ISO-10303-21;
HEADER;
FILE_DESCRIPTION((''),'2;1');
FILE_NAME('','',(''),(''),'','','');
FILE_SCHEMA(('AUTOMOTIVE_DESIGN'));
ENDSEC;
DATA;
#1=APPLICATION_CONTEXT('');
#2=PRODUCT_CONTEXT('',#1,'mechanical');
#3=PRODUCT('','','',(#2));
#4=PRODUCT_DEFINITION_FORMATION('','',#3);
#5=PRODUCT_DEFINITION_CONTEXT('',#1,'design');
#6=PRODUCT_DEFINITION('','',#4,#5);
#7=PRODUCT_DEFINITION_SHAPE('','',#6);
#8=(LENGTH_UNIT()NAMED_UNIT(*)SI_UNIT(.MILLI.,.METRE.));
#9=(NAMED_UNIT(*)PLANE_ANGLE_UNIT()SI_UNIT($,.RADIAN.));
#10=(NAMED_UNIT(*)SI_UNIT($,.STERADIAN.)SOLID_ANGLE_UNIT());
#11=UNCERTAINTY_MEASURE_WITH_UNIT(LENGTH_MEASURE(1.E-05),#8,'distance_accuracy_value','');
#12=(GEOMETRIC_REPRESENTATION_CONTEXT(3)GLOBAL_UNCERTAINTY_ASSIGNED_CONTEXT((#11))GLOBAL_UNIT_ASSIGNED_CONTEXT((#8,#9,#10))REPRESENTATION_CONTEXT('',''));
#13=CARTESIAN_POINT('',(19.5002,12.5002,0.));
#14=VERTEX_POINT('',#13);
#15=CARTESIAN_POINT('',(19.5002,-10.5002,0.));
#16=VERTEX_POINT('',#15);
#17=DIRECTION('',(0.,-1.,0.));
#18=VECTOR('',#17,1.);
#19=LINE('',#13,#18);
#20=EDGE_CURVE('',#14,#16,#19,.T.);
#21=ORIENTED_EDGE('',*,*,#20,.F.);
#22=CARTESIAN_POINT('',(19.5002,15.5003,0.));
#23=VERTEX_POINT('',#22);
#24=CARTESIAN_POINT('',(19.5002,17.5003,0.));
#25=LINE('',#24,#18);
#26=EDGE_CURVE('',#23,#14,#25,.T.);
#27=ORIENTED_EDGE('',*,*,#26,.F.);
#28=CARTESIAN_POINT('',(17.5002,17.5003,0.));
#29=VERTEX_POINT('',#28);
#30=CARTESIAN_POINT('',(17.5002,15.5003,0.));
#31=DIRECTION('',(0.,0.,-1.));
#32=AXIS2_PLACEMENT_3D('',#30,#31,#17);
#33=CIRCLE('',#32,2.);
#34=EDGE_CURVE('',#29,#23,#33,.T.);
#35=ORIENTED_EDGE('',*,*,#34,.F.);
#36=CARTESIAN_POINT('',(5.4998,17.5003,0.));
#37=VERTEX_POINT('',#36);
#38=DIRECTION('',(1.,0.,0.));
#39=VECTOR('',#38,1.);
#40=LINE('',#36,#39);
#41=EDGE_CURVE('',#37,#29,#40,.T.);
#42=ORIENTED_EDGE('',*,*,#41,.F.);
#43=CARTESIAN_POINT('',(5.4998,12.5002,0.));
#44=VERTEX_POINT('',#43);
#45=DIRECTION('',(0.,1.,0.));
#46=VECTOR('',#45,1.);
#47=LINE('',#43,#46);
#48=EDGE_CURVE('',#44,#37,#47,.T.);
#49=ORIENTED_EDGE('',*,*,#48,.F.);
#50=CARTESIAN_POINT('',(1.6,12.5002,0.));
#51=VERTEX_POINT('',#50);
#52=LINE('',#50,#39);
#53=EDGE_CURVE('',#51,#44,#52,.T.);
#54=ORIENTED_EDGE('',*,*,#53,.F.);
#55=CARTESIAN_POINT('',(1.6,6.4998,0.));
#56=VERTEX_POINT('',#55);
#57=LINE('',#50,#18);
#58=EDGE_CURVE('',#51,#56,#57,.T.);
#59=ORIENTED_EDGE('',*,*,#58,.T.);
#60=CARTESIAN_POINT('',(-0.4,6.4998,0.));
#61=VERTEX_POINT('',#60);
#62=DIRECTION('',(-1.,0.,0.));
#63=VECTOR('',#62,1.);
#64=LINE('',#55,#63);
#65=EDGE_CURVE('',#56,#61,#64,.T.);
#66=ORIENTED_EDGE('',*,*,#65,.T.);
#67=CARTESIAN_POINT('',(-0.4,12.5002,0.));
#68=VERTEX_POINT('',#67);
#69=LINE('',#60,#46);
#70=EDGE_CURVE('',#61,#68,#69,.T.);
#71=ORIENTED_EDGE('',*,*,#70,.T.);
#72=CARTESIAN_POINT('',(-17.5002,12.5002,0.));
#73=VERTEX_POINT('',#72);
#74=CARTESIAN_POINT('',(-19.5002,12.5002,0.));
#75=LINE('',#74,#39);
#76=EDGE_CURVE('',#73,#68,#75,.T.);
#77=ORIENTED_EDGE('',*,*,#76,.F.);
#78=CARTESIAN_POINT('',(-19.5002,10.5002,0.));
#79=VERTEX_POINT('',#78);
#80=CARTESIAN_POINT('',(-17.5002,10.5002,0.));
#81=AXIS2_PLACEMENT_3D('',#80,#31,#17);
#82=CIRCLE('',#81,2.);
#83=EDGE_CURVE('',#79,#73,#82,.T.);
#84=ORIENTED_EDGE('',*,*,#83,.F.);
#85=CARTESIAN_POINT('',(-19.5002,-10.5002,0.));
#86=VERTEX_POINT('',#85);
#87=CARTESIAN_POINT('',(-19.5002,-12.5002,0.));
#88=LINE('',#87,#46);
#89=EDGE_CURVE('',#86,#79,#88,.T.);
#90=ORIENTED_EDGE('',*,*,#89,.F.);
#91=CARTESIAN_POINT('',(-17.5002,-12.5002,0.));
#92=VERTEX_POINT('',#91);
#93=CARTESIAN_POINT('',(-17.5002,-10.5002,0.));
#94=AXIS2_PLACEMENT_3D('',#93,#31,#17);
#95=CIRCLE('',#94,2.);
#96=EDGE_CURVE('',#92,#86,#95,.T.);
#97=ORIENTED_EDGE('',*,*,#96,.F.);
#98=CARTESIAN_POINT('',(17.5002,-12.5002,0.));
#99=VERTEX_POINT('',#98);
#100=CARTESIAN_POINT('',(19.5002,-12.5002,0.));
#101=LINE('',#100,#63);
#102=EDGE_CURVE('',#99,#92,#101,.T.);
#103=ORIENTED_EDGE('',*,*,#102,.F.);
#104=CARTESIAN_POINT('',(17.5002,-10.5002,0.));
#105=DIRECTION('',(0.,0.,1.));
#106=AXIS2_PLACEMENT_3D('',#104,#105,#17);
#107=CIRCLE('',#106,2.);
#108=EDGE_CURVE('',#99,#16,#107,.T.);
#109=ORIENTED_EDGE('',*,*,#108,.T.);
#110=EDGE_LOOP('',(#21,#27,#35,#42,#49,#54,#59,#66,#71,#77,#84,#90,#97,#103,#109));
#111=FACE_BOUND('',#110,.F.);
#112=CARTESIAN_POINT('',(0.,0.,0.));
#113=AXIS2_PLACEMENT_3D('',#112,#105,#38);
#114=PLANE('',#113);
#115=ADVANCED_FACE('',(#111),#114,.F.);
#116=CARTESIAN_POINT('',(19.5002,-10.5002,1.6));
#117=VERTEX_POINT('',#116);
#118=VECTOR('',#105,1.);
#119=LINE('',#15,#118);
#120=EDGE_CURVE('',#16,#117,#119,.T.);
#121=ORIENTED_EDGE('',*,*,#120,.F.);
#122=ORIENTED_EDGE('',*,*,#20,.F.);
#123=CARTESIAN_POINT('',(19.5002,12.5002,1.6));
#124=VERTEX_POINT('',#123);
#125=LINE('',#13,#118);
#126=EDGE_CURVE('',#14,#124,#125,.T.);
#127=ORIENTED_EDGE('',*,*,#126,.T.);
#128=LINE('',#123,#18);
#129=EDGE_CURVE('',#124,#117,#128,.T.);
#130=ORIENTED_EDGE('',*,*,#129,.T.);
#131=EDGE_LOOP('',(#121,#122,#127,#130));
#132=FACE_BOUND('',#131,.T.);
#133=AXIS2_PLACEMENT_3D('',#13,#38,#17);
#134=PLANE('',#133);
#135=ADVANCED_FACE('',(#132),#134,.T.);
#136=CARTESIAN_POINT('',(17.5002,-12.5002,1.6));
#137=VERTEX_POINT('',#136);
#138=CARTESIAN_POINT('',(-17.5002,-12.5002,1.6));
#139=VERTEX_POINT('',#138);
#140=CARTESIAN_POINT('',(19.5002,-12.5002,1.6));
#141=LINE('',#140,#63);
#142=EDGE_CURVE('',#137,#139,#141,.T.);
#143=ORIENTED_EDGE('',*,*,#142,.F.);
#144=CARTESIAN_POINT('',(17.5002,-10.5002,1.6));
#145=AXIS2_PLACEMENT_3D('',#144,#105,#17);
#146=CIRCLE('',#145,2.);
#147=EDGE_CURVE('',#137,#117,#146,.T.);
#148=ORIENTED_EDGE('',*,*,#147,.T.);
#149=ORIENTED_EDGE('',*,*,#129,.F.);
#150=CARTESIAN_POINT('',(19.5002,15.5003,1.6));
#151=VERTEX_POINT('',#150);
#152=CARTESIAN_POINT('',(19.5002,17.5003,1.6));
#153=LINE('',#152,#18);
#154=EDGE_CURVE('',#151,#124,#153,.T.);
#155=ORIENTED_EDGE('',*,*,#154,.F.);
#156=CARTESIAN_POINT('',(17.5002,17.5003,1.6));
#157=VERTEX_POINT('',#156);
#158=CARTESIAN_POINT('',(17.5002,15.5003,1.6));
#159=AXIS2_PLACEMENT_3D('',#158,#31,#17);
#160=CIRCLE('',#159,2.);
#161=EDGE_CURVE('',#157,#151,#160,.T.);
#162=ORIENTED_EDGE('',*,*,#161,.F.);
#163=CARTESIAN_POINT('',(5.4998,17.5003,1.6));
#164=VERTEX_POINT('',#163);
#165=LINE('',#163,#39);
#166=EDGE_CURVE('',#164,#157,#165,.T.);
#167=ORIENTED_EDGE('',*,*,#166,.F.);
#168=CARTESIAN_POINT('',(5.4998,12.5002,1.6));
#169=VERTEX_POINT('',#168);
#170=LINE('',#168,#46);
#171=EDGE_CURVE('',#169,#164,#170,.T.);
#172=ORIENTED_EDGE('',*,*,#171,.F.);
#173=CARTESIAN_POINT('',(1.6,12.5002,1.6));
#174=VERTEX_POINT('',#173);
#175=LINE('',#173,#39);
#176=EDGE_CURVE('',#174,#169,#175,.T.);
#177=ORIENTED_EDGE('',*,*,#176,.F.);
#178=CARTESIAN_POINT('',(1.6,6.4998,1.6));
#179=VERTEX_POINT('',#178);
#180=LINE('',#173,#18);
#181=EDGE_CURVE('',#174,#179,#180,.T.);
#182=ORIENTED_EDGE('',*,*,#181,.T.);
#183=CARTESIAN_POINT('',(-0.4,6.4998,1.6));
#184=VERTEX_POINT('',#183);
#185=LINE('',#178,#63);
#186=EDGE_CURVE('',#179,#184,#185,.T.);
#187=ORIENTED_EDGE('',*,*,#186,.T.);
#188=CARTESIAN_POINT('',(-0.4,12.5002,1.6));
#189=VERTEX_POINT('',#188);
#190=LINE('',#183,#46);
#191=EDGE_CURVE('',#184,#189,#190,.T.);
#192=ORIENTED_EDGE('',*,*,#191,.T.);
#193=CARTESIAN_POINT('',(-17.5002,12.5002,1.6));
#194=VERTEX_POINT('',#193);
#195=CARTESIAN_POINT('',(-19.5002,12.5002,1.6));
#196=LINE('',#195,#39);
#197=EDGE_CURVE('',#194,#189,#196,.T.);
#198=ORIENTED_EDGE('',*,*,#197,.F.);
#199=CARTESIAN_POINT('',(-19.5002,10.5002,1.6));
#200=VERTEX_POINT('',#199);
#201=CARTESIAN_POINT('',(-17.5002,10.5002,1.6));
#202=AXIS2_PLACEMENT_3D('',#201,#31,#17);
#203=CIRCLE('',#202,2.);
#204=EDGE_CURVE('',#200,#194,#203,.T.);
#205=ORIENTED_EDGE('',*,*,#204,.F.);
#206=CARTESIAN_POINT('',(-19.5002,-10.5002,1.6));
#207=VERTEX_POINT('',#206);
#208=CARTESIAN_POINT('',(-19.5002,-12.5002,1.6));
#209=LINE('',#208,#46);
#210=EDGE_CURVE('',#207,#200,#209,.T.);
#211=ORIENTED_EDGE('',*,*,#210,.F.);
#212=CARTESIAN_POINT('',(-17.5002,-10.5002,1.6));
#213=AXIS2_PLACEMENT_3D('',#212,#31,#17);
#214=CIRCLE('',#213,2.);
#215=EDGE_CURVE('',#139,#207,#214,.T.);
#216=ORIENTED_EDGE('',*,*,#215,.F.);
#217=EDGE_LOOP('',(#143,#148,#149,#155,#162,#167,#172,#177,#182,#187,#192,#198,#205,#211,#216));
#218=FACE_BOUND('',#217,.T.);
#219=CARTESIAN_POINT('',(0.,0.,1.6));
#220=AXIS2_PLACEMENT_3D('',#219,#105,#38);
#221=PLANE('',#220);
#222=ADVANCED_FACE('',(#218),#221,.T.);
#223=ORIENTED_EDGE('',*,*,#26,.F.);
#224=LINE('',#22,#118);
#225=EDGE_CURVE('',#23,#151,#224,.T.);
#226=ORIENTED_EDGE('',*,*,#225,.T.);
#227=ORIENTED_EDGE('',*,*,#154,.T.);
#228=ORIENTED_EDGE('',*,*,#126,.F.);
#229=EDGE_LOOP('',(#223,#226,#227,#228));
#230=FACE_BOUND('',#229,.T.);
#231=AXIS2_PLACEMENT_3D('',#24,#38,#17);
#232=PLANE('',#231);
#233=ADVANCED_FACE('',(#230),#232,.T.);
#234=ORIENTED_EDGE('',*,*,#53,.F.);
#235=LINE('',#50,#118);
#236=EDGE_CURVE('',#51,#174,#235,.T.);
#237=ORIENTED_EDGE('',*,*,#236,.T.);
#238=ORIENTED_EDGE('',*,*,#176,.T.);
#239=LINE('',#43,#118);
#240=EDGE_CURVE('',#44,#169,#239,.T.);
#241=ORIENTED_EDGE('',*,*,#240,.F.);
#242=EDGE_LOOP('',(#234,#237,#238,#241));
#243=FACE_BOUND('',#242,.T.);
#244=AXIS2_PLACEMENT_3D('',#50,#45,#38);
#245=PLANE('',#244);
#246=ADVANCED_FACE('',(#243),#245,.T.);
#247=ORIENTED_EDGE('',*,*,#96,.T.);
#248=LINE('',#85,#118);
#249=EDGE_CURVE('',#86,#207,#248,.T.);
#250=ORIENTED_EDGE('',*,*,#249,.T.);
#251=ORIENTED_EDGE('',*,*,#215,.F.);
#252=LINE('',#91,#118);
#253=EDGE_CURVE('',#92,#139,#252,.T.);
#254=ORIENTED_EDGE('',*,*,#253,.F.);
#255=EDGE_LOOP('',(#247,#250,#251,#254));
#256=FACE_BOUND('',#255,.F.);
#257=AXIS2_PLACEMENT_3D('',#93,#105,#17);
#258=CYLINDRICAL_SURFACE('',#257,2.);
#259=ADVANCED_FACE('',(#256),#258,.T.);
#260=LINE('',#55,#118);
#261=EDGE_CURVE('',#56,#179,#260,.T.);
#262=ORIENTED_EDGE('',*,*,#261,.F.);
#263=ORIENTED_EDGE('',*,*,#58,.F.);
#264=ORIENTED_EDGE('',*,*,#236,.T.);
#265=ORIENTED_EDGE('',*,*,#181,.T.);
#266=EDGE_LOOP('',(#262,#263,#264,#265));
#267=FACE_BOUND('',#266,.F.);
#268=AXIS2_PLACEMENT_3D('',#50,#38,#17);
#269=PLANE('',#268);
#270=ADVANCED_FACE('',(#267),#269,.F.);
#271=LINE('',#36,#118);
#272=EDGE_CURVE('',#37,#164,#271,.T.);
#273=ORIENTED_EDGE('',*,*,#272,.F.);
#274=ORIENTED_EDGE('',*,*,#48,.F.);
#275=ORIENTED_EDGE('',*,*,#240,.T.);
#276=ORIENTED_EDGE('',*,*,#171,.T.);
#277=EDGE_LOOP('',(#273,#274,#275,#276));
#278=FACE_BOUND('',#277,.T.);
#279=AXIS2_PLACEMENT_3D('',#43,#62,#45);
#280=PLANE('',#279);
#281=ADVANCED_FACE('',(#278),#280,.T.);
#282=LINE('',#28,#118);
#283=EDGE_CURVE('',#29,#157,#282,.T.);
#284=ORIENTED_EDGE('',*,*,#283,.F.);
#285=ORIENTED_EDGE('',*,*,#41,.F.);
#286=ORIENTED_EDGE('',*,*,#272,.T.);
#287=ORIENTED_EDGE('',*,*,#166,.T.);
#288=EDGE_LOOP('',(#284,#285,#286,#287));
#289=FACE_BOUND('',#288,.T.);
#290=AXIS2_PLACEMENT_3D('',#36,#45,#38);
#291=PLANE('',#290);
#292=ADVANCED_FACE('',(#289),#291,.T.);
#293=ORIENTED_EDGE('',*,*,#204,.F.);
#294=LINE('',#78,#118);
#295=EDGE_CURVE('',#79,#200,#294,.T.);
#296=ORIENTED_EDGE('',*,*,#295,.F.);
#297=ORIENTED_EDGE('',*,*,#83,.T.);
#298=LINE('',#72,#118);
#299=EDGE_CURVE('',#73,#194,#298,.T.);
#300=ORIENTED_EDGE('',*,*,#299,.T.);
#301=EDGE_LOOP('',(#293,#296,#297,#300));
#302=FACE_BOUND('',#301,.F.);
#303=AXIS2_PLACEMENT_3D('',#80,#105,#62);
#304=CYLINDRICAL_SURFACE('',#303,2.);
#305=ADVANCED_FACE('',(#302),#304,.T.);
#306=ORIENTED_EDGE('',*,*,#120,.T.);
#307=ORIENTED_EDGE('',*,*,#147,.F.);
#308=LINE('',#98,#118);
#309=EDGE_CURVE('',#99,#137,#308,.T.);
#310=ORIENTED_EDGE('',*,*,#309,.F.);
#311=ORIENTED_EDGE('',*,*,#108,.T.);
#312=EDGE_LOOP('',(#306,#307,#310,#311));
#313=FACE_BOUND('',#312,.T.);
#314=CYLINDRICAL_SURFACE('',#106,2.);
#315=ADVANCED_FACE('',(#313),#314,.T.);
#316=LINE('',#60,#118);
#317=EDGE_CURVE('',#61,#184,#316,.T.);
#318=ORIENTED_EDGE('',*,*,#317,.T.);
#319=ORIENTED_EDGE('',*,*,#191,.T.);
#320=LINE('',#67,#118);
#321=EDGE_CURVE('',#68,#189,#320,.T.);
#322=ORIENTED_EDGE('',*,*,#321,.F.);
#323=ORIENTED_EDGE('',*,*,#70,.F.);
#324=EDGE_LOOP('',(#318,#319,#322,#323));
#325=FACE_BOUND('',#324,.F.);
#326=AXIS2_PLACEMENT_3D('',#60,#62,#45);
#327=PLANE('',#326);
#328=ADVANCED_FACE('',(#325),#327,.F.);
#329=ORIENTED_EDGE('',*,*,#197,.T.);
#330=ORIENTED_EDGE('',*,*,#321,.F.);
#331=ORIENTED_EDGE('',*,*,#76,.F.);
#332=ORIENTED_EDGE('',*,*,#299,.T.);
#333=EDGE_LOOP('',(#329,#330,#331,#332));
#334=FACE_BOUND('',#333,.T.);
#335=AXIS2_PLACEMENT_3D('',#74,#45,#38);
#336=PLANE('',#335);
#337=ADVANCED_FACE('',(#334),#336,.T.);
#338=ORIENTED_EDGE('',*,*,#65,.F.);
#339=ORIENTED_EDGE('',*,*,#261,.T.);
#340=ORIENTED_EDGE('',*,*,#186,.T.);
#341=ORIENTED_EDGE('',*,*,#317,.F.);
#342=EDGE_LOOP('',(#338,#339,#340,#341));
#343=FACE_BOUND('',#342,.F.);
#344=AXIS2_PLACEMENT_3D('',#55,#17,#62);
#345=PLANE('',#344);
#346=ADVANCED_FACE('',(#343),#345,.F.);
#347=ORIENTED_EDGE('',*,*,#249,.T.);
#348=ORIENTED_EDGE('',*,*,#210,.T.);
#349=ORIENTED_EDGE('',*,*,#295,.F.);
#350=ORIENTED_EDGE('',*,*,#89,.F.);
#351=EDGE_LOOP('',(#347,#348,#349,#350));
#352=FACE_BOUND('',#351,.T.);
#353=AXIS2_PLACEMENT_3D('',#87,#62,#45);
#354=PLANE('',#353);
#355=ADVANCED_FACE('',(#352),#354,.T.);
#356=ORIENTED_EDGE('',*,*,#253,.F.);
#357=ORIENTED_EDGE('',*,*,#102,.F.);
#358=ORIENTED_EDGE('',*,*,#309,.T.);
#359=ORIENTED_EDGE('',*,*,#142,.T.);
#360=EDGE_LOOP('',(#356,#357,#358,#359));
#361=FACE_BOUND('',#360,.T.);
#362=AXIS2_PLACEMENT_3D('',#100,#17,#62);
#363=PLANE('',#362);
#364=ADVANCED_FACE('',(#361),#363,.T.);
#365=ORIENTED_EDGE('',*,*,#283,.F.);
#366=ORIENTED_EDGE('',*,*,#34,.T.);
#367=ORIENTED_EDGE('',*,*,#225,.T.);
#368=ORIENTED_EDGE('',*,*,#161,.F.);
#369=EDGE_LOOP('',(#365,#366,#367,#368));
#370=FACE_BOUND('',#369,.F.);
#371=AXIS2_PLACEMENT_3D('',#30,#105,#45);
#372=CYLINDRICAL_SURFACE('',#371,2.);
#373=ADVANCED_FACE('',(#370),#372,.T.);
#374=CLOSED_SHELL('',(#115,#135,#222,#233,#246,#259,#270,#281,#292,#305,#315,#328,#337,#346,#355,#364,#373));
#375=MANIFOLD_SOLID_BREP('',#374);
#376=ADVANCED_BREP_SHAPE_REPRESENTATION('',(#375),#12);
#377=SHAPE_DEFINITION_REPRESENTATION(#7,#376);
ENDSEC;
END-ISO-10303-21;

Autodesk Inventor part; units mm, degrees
ref_plane "YZ Plane" through (0, 0, 0) normal (1, 0, 0) x (0, 1, 0)
ref_plane "XZ Plane" through (0, 0, 0) normal (0, 1, 0) x (-1, 0, 0)
ref_plane "XY Plane" through (0, 0, 0) normal (0, 0, 1) x (1, 0, 0)
sketch "Sketch5" plane through (0, 0, 0) normal (0, 0, 1) x (1, 0, 0)
  line L0 (19.5002, -12.5002) -> (-19.5002, -12.5002)
  line L1 (-19.5002, -12.5002) -> (-19.5002, 12.5002)
  line L2 (19.5002, 12.5002) -> (19.5002, -12.5002)
  line L3 (19.5002, -12.5002) -> (-19.5002, 12.5002) construction
  line L4 (-19.5002, -12.5002) -> (19.5002, 12.5002) construction
  line L5 (1.6, 6.4998) -> (-0.4, 6.4998)
  line L6 (-0.4, 6.4998) -> (-0.4, 12.5002)
  line L7 (1.6, 12.5002) -> (1.6, 6.4998)
  line L8 (1.6, 6.4998) -> (-0.4, 12.5002) construction
  line L9 (-0.4, 6.4998) -> (1.6, 12.5002) construction
  line L10 (5.4998, 12.5002) -> (5.4998, 17.5003)
  line L11 (5.4998, 17.5003) -> (19.5002, 17.5003)
  line L12 (19.5002, 17.5003) -> (19.5002, 12.5002)
  line L13 (-19.5002, 12.5002) -> (-0.4, 12.5002)
  line L14 (1.6, 12.5002) -> (5.4998, 12.5002)
extrude "Extrusion4" add sketch "Sketch5" along normal blind 1.6
fillet "Fillet4" radius 2 4 edges at (19.5002, 17.5003, 0.8) (-19.5002, 12.5002, 0.8) (19.5002, -12.5002, 0.8) (-19.5002, -12.5002, 0.8)
properties part number "pcb_balun_bottom"
